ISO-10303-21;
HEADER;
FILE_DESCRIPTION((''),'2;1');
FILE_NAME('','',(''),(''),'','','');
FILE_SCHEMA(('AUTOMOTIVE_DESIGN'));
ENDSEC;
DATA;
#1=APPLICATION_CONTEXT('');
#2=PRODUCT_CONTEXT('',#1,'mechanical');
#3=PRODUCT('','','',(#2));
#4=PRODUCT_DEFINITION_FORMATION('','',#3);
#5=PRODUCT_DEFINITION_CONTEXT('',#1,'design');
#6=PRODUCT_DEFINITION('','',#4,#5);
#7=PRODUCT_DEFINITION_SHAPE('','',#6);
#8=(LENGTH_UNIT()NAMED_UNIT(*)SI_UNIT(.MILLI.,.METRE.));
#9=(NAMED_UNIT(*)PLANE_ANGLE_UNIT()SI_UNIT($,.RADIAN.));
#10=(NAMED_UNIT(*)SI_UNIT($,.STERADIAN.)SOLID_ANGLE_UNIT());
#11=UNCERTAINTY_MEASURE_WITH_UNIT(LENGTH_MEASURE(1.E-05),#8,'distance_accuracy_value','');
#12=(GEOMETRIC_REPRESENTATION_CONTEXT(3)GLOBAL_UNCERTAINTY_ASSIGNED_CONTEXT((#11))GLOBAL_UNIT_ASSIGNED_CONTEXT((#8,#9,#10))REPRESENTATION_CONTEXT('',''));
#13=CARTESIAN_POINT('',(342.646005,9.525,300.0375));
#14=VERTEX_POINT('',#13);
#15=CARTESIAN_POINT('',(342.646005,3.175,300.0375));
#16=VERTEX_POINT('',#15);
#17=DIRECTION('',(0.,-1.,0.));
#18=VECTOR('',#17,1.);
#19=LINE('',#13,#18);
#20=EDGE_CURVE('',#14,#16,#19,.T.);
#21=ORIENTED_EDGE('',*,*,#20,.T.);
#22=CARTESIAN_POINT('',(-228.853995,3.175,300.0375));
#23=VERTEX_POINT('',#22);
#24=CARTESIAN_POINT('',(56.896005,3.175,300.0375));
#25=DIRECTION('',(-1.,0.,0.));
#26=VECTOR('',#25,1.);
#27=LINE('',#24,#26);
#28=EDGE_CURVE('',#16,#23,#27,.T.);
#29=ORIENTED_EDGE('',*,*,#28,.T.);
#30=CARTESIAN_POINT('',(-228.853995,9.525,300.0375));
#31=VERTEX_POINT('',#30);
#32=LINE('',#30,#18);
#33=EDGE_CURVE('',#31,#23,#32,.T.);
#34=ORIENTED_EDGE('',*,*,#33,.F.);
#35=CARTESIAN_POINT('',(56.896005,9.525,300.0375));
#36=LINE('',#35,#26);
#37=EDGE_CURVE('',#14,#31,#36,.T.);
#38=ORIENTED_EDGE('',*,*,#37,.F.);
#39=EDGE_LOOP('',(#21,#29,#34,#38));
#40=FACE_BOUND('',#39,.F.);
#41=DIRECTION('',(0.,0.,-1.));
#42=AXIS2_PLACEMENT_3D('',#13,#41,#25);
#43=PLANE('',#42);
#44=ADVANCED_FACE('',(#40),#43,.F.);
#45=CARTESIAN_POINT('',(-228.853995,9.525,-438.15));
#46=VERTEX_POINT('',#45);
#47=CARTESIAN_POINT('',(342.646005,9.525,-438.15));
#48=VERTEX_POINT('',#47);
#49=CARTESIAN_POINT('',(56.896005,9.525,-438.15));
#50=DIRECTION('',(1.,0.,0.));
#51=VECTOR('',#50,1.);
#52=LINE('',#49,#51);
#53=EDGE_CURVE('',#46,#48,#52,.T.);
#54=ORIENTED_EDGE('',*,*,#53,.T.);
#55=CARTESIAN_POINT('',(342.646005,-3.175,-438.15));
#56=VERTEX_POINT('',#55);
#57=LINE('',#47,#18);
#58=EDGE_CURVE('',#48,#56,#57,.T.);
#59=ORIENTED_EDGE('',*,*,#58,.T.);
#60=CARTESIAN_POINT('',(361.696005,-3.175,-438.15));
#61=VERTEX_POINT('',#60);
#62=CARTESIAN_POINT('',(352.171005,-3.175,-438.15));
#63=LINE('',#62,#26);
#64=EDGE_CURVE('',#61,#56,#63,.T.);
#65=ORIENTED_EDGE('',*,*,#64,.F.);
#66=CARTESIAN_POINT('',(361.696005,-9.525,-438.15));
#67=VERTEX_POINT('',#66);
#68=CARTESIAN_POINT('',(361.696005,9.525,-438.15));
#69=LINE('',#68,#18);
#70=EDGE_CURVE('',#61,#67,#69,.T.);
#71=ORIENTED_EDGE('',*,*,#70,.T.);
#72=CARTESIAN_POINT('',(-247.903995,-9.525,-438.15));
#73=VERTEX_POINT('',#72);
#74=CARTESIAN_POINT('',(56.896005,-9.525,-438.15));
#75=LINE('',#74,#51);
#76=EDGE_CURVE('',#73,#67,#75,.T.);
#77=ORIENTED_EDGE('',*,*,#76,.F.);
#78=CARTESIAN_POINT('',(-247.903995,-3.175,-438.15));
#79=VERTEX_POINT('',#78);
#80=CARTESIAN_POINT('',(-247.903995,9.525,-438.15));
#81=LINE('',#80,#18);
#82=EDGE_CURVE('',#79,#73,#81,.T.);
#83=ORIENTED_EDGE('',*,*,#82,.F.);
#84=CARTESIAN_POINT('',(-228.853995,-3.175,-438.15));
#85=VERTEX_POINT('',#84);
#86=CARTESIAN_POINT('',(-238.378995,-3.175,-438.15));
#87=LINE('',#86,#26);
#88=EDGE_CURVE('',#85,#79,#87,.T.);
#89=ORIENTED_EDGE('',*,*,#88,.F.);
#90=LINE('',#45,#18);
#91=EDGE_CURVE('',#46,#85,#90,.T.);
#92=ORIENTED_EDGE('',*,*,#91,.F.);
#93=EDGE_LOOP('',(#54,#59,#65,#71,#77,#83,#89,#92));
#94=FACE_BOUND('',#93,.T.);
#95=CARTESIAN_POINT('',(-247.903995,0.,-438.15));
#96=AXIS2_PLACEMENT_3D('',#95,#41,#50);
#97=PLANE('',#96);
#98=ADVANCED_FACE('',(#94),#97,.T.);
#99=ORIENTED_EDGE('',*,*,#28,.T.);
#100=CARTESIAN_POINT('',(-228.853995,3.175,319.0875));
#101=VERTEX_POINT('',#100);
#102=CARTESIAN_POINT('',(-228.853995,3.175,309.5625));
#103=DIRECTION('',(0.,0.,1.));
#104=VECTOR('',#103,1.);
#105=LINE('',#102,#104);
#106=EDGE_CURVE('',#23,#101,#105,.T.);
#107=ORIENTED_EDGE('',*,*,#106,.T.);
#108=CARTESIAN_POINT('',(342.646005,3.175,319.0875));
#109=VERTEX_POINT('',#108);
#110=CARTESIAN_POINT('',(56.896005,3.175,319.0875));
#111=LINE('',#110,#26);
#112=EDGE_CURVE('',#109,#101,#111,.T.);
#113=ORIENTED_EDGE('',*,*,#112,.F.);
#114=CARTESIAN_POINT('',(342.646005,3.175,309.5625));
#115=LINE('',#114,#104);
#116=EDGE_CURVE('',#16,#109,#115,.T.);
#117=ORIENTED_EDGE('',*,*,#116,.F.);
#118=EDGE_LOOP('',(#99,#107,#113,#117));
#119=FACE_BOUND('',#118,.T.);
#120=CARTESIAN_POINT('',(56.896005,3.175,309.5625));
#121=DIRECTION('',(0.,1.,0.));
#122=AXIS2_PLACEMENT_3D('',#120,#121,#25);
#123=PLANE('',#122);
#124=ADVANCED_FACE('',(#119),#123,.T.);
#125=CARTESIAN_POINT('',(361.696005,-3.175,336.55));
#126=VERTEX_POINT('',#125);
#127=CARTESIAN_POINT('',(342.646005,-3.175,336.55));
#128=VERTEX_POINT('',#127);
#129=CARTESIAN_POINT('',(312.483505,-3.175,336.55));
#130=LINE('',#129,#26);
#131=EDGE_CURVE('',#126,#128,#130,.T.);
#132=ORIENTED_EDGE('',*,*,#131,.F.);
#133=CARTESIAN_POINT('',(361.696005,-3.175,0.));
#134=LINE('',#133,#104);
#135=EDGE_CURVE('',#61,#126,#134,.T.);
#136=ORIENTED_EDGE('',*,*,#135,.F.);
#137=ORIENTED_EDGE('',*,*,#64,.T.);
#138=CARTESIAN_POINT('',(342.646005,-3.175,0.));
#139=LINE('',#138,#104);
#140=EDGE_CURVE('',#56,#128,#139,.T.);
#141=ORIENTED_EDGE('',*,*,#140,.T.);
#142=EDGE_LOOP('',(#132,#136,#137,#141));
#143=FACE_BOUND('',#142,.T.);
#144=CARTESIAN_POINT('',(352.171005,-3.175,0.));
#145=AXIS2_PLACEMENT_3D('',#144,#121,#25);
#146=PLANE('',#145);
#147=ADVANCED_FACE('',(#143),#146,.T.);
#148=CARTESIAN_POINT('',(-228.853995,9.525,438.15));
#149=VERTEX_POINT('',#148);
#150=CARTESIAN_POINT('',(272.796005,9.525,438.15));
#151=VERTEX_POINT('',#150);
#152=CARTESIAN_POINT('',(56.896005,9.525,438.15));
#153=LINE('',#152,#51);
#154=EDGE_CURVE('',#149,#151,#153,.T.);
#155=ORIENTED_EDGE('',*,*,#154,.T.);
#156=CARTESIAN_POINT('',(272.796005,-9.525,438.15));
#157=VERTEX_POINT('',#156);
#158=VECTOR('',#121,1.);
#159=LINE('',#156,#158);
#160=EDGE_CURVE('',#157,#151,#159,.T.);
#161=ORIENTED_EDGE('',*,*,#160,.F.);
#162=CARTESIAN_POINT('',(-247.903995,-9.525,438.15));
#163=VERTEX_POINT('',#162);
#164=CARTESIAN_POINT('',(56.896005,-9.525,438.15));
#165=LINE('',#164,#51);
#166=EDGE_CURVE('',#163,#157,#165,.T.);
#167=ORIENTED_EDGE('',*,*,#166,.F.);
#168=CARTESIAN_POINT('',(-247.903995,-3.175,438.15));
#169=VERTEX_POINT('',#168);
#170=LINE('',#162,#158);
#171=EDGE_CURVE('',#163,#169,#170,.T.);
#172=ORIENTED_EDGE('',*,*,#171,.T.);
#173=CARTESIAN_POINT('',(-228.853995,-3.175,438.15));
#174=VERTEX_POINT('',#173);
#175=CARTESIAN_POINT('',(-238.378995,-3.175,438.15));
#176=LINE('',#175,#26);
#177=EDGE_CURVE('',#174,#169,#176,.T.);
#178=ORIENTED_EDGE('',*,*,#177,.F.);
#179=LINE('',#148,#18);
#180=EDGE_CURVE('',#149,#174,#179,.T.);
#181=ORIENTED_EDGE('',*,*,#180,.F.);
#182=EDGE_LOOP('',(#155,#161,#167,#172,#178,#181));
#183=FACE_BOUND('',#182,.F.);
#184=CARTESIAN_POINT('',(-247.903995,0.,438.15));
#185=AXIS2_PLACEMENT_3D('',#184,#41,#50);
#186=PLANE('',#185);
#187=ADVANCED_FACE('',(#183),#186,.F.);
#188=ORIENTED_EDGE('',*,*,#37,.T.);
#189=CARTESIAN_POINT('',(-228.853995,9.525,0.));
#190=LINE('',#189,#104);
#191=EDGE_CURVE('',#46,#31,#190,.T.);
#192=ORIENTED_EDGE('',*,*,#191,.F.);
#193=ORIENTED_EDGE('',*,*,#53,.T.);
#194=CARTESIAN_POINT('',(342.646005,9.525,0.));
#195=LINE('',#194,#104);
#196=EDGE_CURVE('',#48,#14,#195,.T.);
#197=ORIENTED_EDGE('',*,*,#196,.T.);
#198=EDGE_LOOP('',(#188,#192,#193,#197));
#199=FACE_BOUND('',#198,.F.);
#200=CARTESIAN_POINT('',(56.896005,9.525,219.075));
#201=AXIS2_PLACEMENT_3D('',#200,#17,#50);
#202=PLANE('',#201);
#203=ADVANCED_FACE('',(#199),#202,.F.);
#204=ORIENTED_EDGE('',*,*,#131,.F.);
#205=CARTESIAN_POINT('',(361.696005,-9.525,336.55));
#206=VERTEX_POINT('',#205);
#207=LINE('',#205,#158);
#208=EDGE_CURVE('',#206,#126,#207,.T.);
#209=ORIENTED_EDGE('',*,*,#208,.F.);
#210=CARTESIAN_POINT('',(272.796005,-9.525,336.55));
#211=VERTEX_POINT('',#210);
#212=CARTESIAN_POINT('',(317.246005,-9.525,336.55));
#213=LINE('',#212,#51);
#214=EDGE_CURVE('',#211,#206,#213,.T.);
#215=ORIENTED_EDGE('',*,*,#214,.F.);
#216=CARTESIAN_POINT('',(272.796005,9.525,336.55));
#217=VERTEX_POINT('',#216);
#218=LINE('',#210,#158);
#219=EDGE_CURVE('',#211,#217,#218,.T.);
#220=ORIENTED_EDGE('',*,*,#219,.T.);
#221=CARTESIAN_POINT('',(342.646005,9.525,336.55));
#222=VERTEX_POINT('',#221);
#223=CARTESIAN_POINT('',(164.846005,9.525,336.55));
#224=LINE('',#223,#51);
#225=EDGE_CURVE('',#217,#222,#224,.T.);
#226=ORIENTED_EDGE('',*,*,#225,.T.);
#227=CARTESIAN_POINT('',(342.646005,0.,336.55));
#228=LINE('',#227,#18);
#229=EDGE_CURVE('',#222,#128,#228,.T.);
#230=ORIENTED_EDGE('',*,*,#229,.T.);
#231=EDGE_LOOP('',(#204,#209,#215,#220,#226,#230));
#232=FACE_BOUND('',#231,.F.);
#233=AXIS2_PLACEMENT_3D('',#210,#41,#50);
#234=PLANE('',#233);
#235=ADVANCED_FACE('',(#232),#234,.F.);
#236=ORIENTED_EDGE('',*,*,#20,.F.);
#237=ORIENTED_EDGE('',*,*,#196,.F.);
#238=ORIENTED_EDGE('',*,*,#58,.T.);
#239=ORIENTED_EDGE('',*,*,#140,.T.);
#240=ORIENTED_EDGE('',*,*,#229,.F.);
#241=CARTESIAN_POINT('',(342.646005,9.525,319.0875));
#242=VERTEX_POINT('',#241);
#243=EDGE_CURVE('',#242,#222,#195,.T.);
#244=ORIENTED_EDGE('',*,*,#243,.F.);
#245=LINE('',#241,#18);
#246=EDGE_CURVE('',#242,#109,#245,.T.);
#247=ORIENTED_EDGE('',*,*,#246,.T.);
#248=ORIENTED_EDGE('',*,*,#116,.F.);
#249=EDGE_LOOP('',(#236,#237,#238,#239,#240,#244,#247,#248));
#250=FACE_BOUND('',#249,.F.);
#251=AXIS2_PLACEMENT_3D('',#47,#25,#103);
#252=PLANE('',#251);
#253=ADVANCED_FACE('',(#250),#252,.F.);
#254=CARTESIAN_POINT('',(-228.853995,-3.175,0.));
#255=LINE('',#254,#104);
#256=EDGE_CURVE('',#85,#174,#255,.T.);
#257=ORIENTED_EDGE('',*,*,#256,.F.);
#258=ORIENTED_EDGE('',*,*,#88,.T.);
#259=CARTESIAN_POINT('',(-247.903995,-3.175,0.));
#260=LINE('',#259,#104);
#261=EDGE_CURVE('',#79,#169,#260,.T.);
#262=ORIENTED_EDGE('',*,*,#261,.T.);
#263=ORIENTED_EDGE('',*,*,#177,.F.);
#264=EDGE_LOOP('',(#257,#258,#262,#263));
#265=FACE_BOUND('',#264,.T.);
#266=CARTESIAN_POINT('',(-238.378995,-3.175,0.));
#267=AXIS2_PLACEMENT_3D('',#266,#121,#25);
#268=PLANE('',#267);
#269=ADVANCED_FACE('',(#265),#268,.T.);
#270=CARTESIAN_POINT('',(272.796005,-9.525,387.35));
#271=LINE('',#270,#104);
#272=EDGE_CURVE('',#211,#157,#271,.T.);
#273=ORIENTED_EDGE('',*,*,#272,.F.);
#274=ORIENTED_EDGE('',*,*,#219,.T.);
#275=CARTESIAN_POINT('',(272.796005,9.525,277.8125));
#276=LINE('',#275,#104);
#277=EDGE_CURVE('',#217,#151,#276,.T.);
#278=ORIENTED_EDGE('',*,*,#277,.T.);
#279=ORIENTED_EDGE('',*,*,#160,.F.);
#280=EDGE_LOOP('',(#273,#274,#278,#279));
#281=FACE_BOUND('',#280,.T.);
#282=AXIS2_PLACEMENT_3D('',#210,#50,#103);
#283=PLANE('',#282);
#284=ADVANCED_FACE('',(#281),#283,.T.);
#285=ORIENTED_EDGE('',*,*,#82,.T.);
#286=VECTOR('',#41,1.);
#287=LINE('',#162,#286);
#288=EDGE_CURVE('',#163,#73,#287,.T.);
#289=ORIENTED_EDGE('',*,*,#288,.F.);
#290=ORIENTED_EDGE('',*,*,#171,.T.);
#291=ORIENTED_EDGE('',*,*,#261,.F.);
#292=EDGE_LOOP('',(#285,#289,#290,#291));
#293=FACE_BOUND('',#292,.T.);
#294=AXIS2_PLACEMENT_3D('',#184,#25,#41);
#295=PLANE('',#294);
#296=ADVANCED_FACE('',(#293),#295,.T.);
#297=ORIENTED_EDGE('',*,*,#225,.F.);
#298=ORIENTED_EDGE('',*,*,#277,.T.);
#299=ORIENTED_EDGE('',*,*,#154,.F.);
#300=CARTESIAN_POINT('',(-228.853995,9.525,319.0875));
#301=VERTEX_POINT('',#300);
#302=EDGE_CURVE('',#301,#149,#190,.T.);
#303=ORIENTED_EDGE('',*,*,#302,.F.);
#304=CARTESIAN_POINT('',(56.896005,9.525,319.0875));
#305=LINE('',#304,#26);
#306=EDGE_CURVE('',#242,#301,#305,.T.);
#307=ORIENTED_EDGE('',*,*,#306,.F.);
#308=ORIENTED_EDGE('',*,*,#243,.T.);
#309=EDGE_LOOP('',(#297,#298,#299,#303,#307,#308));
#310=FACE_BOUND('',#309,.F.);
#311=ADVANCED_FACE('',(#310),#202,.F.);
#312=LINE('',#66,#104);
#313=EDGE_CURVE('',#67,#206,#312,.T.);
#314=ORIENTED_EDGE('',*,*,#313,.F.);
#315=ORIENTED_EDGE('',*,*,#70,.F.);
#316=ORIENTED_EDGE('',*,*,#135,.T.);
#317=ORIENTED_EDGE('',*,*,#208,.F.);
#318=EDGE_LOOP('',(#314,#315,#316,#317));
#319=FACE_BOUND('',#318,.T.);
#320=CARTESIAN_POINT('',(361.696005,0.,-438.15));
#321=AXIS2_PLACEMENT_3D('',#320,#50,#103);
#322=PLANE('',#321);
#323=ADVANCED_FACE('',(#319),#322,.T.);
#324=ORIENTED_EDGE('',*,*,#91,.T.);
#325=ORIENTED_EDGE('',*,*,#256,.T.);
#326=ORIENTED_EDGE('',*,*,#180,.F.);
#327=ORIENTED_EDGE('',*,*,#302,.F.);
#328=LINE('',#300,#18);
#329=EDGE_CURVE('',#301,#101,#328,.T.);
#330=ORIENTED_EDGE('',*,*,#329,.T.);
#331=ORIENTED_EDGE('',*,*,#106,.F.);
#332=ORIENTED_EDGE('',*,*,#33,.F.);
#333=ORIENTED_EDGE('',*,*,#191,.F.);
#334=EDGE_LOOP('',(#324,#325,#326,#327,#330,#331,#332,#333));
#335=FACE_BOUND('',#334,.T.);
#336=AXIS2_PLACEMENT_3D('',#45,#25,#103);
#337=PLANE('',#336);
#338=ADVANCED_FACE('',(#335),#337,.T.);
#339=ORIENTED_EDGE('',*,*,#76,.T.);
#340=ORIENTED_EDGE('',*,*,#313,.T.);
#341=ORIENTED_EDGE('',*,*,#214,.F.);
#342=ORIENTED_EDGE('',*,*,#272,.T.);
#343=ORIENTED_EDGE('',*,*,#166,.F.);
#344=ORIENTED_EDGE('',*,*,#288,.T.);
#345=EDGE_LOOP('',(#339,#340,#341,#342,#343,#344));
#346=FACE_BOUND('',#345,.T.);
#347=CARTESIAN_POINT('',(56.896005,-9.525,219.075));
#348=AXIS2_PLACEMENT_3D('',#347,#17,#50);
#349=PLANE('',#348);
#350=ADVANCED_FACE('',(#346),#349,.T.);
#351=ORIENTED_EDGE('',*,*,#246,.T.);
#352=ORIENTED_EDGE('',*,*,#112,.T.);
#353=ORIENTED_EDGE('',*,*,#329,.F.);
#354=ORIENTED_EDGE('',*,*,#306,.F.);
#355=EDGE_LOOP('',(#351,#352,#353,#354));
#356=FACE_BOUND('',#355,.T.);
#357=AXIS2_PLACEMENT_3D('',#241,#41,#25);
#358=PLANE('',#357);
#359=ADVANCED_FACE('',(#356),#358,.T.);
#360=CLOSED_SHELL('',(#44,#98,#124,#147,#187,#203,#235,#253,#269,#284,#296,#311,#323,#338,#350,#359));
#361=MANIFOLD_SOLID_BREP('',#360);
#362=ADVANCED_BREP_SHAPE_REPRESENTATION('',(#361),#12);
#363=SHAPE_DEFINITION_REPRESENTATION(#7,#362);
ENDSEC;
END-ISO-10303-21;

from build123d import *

# Parameters (mm, degrees)
F0_W     = 609.6
F0_H     = 438.15
F1_DEPTH = 9.525
F2_W     = 19.05
F2_H     = 876.3
F3_DEPTH = 12.7
F4_W     = 571.5
F4_H     = 19.05
F5_DEPTH = 6.35
F6_W     = 88.9
F6_H     = 101.6
F7_DEPTH = 19.051


with BuildPart() as f1:
    # F0 (on Front) → F1 (new body, symmetric)
    with BuildSketch(Plane.XZ):
        with Locations((56.8960046741, 219.075)):
            Rectangle(F0_W, F0_H)
        with Locations((56.8960046741, -219.075)):
            Rectangle(F0_W, F0_H)
    extrude(amount=F1_DEPTH, both=True)

    # F2 (on face) → F3 (cut)
    with BuildSketch(Plane(origin=(0, 9.525, 0), x_dir=(-1, 0, 0), z_dir=(0, 1, 0))):
        with Locations((-352.1710046741, 0)):
            Rectangle(F2_W, F2_H)
        with Locations((238.3789953259, 0)):
            Rectangle(F2_W, F2_H)
    extrude(amount=-F3_DEPTH, mode=Mode.SUBTRACT)

    # F4 (on face) → F5 (cut)
    with BuildSketch(Plane(origin=(0, 9.525, 0), x_dir=(-1, 0, 0), z_dir=(0, 1, 0))):
        with Locations((-56.8960046741, 309.5625)):
            Rectangle(F4_W, F4_H)
    extrude(amount=-F5_DEPTH, mode=Mode.SUBTRACT)

    # F6 (on face) → F7 (cut, through all)
    with BuildSketch(Plane.XZ.offset(9.525)):
        with Locations((317.2460046741, 387.35)):
            Rectangle(F6_W, F6_H)
    extrude(amount=-F7_DEPTH, mode=Mode.SUBTRACT)


solid = f1.part
